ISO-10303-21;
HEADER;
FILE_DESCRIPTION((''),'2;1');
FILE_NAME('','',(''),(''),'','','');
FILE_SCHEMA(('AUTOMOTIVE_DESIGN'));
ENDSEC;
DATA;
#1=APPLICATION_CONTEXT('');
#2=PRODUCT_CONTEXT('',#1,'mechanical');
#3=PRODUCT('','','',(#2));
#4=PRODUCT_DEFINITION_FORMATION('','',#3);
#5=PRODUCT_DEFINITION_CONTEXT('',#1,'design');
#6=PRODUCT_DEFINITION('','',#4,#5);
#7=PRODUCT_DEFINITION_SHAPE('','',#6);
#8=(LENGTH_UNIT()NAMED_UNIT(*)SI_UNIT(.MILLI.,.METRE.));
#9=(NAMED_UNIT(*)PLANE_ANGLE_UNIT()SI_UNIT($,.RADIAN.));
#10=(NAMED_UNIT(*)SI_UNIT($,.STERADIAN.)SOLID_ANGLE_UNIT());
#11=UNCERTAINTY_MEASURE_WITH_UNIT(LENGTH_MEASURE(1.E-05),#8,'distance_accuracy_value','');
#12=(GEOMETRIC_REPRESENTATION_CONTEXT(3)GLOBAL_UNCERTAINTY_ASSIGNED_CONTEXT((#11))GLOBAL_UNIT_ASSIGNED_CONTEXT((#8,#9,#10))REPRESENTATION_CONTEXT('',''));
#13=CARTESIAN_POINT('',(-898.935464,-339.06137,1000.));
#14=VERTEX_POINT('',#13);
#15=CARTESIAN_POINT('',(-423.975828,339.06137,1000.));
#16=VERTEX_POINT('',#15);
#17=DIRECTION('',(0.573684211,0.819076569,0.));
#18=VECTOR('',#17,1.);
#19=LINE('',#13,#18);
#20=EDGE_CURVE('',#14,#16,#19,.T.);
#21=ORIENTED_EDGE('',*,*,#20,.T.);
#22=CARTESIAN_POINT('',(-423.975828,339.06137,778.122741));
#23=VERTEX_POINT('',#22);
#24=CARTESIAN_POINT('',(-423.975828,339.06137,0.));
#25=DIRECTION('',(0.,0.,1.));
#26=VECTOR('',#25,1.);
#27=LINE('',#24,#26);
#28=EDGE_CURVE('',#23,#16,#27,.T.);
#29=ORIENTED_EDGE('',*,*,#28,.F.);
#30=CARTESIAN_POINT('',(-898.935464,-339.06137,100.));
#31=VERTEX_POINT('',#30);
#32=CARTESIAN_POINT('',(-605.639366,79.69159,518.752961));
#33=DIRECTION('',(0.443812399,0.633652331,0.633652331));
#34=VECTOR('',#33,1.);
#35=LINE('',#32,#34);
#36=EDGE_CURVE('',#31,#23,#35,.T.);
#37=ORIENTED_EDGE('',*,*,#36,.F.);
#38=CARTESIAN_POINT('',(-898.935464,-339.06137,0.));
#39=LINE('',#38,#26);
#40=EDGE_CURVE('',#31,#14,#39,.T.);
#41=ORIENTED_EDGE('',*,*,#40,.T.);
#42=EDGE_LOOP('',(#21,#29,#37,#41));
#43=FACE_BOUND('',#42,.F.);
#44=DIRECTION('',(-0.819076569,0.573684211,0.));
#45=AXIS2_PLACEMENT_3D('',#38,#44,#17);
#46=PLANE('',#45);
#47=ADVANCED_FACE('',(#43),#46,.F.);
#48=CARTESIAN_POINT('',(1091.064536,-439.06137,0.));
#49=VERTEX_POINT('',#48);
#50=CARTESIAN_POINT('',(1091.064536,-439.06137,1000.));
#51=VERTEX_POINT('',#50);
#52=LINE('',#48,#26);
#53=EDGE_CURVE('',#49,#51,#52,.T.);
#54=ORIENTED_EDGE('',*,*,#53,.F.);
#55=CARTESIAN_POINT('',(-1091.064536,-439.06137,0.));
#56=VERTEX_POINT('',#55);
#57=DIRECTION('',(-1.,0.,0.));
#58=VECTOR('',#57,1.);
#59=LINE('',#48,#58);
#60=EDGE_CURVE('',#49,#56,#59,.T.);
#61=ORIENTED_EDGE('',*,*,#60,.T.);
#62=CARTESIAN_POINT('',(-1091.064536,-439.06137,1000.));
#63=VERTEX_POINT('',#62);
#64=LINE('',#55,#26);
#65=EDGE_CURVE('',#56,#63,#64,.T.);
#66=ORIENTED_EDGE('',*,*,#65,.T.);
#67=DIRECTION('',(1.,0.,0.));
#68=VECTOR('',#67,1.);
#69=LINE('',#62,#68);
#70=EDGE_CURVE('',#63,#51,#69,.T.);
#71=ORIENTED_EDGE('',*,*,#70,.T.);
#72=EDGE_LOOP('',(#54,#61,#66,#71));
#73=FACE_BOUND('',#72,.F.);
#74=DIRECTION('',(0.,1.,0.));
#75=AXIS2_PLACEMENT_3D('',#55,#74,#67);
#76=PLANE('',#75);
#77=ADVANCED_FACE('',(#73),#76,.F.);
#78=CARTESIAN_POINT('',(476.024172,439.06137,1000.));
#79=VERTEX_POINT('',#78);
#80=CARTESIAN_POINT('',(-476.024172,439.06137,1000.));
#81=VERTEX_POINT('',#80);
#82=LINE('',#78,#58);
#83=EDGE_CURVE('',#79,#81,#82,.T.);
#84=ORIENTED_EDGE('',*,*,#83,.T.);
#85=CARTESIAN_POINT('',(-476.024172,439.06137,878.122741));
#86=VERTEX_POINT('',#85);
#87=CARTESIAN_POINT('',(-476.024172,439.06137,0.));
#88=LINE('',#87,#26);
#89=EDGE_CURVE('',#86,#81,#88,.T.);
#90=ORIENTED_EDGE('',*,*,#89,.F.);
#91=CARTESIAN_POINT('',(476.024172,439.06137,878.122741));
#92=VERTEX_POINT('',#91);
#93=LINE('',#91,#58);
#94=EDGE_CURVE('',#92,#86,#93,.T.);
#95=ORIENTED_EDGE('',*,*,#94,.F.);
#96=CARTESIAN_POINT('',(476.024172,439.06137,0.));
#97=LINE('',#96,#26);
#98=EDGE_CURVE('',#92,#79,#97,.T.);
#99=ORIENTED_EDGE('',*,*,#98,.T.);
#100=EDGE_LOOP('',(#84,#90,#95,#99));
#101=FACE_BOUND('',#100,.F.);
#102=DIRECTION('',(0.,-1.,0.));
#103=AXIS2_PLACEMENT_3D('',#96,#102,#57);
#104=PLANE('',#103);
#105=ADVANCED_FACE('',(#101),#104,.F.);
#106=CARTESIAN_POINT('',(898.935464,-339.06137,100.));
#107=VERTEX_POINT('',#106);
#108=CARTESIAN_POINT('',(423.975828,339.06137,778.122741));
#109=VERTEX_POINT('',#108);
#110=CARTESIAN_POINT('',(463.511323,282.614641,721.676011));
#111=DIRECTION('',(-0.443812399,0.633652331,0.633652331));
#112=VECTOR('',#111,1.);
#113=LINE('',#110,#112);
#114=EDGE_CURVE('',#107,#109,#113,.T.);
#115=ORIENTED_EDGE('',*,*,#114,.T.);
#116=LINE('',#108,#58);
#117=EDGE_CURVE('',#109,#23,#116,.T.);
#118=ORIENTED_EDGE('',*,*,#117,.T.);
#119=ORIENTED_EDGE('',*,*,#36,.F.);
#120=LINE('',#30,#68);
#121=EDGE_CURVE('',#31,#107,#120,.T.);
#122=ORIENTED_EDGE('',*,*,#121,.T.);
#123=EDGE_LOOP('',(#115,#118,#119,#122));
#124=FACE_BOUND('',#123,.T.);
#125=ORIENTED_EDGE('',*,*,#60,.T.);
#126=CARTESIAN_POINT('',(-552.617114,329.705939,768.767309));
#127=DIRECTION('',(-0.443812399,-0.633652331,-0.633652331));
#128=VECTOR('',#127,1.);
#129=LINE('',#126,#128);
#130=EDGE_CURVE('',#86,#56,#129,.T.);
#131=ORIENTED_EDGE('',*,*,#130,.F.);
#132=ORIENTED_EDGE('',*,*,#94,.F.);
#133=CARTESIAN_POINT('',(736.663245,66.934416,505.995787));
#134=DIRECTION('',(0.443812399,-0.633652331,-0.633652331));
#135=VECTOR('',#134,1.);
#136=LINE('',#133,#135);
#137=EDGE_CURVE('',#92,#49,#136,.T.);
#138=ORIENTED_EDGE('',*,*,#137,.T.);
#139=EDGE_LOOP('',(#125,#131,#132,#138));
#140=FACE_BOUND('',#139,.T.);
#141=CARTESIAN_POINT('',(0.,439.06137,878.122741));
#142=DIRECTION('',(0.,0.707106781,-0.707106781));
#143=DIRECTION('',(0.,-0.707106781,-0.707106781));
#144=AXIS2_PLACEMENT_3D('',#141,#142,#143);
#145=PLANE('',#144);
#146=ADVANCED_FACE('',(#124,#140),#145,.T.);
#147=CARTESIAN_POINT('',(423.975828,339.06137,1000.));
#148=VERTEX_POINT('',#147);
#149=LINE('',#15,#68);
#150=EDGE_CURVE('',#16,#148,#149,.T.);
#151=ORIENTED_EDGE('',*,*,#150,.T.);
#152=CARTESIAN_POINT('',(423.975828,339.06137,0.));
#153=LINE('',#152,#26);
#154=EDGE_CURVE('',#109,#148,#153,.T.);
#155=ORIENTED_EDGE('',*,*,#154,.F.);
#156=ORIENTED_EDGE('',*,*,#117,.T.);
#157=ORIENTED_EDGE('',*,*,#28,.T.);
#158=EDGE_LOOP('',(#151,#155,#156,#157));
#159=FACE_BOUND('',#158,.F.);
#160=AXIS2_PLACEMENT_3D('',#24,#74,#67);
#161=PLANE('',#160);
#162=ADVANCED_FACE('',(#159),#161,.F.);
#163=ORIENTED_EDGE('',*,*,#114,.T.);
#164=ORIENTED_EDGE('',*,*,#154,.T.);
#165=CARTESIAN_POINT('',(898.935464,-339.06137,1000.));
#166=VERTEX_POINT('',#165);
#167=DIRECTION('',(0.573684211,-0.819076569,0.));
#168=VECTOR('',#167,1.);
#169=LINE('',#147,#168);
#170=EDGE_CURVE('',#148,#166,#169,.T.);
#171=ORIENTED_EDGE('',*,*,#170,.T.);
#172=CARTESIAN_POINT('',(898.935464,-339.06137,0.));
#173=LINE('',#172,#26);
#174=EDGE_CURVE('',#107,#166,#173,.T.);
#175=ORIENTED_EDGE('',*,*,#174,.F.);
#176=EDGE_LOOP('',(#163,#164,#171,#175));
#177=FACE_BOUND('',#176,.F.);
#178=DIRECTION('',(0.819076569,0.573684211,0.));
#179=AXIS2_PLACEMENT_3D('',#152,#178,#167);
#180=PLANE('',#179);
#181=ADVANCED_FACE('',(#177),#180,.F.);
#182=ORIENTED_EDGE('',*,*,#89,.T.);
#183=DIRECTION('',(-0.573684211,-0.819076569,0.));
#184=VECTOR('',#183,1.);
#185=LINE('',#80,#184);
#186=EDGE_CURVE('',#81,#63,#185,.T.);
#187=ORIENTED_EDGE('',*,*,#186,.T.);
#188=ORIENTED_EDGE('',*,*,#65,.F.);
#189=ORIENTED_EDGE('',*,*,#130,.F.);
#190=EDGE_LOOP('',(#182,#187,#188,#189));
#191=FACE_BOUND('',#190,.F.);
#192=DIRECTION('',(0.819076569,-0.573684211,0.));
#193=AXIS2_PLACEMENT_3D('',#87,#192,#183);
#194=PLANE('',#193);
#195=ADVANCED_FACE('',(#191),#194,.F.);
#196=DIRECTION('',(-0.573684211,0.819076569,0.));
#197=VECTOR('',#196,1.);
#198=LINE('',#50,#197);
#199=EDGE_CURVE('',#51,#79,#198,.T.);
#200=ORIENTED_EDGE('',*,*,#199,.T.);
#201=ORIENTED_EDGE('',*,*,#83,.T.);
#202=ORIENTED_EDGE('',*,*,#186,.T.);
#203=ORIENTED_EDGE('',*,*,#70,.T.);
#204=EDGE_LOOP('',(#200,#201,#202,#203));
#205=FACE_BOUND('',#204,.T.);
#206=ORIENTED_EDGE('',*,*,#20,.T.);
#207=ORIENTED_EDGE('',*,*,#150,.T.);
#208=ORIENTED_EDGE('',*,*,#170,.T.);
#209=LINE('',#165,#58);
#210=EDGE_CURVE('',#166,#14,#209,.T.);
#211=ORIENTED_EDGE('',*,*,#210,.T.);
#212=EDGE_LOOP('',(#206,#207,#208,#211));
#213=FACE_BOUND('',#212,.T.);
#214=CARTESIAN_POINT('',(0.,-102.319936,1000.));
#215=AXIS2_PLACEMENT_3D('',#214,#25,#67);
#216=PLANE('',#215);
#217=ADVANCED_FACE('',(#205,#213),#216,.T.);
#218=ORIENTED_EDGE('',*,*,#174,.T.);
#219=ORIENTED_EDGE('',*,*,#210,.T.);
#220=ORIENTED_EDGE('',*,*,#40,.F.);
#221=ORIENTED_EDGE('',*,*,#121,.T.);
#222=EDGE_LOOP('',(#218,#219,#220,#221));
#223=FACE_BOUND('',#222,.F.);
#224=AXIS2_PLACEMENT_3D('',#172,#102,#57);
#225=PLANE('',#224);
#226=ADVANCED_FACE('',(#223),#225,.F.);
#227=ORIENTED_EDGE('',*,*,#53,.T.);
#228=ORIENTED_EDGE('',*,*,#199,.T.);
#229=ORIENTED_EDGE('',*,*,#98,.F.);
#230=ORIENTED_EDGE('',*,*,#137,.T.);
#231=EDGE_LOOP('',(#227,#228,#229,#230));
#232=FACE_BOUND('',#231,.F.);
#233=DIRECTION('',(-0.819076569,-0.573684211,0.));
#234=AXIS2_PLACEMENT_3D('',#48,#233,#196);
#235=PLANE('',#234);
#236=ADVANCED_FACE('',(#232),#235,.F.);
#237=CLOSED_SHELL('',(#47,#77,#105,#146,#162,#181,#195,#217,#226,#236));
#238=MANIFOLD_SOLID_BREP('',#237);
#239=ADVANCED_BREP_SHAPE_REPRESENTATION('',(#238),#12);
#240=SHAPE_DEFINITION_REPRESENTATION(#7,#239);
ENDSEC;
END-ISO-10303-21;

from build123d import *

# Parameters (mm, degrees)
F1_DEPTH      = 1000
F3_DEPTH      = 1091.0655359211
F3_DEPTH_BACK = 1091.0655359211


with BuildPart() as f1:
    # F0 (on Top) → F1 (new body)
    with BuildSketch(Plane.XY):
        Polygon((476.0241719385, 439.0613704803), (-476.0241719385, 439.0613704803), (-1091.0645359211, -439.0613704803), (1091.0645359211, -439.0613704803), align=None)
        Polygon((-898.9354640789, -339.0613704803), (-423.9758280615, 339.0613704803), (423.9758280615, 339.0613704803), (898.9354640789, -339.0613704803), align=None, mode=Mode.SUBTRACT)
    extrude(amount=F1_DEPTH)

    # F2 (on Right) → F3 (cut, two sides)
    with BuildSketch(Plane.YZ) as f3_sk:
        Polygon((-439.0613704803, 0), (439.0613704803, 0), (439.0613704803, 878.1227409606), align=None)
    extrude(amount=-F3_DEPTH, mode=Mode.SUBTRACT)
    extrude(f3_sk.sketch, amount=F3_DEPTH_BACK, mode=Mode.SUBTRACT)


solid = f1.part
